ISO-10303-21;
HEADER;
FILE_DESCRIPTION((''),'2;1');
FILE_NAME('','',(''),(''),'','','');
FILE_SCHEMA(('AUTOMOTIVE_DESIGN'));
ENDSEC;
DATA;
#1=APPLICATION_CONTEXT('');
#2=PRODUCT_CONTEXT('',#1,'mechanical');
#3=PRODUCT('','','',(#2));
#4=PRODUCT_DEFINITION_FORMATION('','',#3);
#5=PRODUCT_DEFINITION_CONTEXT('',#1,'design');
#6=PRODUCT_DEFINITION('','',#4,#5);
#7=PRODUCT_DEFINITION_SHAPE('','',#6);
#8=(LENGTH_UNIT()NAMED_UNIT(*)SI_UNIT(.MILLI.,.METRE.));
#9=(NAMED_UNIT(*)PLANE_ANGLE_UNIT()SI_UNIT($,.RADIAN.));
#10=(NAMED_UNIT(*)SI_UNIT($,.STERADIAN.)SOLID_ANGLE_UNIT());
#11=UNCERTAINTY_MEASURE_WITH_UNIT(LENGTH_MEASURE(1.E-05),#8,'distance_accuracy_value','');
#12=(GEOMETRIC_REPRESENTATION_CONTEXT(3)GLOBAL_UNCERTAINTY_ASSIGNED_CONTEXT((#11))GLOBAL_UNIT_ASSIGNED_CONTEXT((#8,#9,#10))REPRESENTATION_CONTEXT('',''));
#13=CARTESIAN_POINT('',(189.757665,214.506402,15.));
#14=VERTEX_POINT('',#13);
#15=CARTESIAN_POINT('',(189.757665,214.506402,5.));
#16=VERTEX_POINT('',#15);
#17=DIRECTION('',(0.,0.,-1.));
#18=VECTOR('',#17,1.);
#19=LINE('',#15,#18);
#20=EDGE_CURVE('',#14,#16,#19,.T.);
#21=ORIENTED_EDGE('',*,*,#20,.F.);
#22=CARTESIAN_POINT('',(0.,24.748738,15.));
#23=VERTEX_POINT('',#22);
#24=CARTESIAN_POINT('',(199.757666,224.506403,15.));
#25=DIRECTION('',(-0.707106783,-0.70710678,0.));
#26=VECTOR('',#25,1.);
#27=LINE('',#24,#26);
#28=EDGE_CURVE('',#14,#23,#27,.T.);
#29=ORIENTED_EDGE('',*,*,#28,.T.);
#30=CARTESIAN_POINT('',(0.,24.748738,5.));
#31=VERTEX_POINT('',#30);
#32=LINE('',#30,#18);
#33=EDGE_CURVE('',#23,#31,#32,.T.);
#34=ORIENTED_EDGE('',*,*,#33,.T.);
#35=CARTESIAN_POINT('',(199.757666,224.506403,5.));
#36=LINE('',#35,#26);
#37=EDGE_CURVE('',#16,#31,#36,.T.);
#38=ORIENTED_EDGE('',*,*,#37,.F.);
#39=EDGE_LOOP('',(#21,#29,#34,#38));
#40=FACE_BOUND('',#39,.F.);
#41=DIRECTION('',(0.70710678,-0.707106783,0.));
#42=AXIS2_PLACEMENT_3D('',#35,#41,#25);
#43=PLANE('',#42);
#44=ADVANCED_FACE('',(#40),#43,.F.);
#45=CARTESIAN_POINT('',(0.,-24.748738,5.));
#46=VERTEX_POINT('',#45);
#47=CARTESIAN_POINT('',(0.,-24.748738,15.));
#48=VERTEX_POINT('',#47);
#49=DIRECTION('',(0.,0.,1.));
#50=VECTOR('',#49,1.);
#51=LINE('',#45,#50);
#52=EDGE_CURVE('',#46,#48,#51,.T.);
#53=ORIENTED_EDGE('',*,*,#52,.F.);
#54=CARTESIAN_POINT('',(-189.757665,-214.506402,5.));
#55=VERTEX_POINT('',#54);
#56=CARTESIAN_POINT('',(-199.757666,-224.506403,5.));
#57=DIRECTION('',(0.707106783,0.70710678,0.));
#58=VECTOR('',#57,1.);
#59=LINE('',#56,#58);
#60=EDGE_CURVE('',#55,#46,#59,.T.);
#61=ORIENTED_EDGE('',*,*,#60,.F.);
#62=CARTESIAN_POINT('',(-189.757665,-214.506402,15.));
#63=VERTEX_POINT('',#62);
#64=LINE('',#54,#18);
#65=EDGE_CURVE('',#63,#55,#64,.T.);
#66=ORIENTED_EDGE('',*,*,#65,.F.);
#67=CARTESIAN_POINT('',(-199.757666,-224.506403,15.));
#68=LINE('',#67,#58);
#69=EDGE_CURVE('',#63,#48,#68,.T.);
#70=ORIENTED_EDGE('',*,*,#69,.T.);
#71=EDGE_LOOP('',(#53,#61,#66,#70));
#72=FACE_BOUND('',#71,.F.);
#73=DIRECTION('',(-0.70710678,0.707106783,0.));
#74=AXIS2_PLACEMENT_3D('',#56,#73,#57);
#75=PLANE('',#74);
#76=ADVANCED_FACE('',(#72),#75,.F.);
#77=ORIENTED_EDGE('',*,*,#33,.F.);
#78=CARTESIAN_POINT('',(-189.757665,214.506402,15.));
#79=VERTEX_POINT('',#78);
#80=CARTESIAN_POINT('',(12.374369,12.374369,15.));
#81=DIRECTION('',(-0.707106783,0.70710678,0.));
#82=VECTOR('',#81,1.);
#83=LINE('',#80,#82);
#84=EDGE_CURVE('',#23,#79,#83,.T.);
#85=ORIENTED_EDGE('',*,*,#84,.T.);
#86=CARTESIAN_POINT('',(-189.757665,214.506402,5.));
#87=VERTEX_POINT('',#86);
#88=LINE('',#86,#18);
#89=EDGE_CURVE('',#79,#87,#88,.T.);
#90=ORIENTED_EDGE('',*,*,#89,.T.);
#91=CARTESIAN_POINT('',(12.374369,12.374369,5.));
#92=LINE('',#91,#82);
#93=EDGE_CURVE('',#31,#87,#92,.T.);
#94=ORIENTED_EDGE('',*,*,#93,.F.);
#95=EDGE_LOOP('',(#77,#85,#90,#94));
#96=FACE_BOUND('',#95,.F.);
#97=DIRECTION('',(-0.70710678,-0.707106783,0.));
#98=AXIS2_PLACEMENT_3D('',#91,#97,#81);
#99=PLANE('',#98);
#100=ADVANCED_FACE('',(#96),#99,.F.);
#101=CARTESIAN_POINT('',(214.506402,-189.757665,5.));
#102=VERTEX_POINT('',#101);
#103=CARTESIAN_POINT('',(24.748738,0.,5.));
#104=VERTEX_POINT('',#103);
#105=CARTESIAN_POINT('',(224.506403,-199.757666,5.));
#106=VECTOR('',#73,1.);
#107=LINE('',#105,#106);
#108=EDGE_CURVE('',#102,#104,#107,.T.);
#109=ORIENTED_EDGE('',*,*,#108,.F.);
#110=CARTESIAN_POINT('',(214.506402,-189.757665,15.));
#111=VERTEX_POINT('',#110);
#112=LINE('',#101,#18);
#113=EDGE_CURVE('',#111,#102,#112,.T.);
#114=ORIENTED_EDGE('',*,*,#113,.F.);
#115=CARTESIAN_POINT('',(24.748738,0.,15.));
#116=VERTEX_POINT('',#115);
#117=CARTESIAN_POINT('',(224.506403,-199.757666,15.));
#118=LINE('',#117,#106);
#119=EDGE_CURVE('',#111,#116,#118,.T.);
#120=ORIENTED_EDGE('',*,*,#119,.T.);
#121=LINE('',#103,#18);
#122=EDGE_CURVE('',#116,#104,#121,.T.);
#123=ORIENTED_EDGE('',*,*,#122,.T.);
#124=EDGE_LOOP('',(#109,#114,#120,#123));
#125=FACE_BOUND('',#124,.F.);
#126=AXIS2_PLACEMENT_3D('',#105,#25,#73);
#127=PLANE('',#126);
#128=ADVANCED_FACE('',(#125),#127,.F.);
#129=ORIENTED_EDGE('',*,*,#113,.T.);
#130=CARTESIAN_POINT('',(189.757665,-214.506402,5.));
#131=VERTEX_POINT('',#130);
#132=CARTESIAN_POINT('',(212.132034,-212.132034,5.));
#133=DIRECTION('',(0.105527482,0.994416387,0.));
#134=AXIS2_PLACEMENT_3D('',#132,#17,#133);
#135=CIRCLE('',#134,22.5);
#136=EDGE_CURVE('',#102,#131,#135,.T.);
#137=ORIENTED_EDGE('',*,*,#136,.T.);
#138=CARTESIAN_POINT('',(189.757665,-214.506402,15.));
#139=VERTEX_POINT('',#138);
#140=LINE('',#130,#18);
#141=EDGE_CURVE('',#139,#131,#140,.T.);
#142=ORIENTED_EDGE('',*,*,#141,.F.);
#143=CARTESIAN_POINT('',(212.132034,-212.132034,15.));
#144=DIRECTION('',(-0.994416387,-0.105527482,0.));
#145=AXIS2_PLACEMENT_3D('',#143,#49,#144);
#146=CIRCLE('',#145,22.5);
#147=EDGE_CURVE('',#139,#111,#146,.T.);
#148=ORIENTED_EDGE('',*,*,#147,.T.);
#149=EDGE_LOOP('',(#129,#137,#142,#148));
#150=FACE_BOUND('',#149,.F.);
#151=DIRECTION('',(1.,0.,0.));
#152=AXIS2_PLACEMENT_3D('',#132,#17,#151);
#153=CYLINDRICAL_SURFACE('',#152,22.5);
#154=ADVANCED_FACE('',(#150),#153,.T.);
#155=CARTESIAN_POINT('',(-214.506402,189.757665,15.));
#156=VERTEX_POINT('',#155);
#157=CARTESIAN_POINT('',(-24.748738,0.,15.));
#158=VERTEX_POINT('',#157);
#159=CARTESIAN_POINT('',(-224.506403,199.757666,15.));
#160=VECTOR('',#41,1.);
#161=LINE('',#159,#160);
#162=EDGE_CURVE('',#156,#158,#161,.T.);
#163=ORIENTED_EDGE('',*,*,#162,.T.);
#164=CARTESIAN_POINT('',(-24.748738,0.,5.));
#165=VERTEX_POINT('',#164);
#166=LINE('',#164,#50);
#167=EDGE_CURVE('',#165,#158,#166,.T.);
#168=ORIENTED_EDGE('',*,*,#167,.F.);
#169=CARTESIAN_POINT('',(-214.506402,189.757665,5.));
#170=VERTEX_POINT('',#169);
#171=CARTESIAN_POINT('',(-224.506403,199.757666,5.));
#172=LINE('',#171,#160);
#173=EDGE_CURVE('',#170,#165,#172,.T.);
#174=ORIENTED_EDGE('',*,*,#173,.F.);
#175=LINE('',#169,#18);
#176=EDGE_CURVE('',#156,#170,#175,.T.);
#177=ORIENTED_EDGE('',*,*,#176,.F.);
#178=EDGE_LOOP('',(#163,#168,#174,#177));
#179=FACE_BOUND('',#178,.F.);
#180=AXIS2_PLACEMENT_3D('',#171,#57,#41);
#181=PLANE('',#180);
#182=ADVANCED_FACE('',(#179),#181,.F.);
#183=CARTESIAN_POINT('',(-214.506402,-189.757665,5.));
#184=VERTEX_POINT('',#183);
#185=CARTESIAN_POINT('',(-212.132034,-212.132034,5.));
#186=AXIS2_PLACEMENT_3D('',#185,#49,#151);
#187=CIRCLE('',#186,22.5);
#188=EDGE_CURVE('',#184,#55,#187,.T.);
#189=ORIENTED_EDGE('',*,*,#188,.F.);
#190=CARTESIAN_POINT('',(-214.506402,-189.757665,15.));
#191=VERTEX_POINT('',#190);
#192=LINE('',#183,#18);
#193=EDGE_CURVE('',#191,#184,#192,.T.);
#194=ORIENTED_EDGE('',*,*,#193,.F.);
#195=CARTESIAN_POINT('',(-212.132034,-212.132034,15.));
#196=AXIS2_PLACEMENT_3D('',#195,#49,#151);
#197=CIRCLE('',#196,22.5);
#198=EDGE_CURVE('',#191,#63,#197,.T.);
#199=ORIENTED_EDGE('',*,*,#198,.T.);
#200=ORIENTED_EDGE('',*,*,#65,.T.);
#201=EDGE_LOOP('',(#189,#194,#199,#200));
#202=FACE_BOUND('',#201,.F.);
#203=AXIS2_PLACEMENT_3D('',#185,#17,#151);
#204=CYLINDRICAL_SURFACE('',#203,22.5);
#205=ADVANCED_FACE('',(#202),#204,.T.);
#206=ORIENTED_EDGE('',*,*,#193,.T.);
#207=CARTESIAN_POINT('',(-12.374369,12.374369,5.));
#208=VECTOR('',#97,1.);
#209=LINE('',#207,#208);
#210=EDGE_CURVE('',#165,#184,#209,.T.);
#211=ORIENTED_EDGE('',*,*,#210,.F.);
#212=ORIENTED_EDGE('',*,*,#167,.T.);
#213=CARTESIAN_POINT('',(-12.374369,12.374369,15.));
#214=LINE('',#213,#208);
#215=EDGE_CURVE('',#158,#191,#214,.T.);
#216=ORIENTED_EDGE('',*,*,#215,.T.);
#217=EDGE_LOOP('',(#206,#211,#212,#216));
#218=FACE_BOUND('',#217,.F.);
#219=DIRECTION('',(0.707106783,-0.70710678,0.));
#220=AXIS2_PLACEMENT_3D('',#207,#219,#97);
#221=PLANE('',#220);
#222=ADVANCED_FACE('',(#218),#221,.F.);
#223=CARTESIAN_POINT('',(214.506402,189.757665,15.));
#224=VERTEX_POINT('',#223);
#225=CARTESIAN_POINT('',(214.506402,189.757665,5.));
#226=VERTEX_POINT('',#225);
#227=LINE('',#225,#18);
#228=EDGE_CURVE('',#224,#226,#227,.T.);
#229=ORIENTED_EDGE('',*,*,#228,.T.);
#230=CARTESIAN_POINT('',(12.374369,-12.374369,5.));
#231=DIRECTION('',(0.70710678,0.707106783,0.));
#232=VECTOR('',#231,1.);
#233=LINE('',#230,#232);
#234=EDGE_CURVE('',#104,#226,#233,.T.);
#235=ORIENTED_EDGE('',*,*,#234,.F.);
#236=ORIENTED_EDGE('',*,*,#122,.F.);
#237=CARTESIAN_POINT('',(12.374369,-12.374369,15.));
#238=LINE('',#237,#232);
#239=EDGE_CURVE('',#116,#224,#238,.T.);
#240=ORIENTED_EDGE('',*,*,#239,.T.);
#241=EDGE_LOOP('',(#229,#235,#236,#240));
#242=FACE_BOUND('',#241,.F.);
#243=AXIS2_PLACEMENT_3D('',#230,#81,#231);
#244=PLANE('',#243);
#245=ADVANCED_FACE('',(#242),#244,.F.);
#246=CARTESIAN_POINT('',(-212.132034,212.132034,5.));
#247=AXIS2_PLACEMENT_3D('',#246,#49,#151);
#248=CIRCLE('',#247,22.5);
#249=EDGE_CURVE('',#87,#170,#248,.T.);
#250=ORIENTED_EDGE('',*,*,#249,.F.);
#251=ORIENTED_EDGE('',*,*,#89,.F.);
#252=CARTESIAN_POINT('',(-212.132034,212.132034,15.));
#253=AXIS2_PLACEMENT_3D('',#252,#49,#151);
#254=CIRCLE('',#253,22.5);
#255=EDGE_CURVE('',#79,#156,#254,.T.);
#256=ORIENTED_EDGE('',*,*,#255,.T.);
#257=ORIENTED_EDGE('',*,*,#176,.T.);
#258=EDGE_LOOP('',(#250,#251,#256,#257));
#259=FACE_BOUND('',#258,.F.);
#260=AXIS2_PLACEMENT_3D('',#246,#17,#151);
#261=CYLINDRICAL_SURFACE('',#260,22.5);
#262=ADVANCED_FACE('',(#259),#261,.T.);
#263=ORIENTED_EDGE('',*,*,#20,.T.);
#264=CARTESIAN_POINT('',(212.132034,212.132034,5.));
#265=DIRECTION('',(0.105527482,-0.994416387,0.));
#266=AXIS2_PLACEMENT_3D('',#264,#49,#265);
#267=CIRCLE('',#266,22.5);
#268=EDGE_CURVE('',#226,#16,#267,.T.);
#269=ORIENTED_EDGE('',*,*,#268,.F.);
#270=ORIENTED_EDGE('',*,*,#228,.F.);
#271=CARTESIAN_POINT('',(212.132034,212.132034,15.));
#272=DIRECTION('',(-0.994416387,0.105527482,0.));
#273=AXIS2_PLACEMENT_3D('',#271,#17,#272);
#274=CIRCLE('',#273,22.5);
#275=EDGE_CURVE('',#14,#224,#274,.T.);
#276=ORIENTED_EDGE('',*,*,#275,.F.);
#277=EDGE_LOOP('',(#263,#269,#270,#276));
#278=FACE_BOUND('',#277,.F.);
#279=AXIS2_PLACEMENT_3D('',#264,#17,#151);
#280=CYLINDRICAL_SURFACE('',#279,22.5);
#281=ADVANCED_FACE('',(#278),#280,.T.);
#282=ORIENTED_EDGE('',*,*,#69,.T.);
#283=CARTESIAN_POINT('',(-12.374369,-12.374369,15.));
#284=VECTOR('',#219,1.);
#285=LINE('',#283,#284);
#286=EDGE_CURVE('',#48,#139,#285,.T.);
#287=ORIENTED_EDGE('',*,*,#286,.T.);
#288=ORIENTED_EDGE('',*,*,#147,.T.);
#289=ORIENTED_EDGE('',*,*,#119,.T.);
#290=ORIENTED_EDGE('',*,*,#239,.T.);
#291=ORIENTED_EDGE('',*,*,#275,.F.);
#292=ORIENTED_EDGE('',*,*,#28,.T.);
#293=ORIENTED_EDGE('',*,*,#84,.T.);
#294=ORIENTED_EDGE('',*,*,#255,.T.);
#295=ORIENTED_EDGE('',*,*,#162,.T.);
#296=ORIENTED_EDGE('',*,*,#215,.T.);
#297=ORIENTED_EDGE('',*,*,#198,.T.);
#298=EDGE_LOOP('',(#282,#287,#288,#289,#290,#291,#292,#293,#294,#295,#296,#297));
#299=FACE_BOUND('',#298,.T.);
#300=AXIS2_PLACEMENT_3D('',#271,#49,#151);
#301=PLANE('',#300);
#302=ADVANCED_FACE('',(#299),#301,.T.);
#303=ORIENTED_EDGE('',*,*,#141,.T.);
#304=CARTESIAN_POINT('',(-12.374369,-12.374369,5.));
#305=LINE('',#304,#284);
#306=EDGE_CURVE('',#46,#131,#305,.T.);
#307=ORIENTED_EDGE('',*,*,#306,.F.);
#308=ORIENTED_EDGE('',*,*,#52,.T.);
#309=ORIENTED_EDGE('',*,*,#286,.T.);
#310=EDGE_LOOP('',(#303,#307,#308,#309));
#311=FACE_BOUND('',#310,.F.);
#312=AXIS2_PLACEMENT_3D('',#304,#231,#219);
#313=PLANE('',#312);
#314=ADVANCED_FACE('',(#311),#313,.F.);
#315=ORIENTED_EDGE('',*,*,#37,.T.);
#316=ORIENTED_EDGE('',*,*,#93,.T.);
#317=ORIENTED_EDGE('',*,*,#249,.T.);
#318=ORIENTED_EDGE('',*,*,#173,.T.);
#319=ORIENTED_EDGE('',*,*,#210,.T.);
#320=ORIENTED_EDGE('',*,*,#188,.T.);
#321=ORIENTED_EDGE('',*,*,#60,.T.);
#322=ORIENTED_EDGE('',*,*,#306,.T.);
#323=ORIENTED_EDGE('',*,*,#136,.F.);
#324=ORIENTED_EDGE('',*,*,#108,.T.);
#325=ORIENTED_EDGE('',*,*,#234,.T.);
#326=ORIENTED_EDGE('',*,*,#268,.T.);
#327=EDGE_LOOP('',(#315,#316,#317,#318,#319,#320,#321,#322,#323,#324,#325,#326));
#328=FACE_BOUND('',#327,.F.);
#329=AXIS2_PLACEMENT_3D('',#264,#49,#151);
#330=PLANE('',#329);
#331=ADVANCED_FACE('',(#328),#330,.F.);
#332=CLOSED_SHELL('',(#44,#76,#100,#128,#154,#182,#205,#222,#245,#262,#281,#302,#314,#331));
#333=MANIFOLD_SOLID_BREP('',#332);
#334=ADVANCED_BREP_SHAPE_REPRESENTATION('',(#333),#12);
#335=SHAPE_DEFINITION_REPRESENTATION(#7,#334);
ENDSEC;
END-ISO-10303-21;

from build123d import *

# Parameters (mm, degrees)
PAD_DEPTH    = 10
PAD001_DEPTH = 10
PAD002_DEPTH = 10
PAD003_DEPTH = 10
SKETCH002_R  = 22.5
PAD004_DEPTH = 10


with BuildPart() as part:
    # Sketch005 → Pad (new body)
    with BuildSketch(Plane(origin=(0, 0, 5), x_dir=(0, -1, 0), z_dir=(0, 0, 1))):
        Polygon((12.374369, -12.374369), (224.506403, 199.757666), (199.757666, 224.506403), (-12.374369, 12.374369), align=None)
    extrude(amount=PAD_DEPTH)

    # Sketch004 → Pad001 (join)
    with BuildSketch(Plane(origin=(0, 0, 5), x_dir=(-1, 0, 0), z_dir=(0, 0, 1))):
        Polygon((12.374369, -12.374369), (224.506403, 199.757666), (199.757666, 224.506403), (-12.374369, 12.374369), align=None)
    extrude(amount=PAD001_DEPTH)

    # Sketch001 → Pad002 (join)
    with BuildSketch(Plane.XY.offset(5)):
        Polygon((12.374369, -12.374369), (224.506403, 199.757666), (199.757666, 224.506403), (-12.374369, 12.374369), align=None)
    extrude(amount=PAD002_DEPTH)

    # Sketch003 → Pad003 (join)
    with BuildSketch(Plane(origin=(0, 0, 5), x_dir=(0, 1, 0), z_dir=(0, 0, 1))):
        Polygon((12.374369, -12.374369), (224.506403, 199.757666), (199.757666, 224.506403), (-12.374369, 12.374369), align=None)
    extrude(amount=PAD003_DEPTH)

    # Sketch002 → Pad004 (join)
    with BuildSketch(Plane.XY.offset(5)):
        with Locations((212.132034, 212.132034)):
            Circle(SKETCH002_R)
        with Locations((212.132034, -212.132034)):
            Circle(SKETCH002_R)
        with Locations((-212.132034, -212.132034)):
            Circle(SKETCH002_R)
        with Locations((-212.132034, 212.132034)):
            Circle(SKETCH002_R)
    extrude(amount=PAD004_DEPTH)


solid = part.part
